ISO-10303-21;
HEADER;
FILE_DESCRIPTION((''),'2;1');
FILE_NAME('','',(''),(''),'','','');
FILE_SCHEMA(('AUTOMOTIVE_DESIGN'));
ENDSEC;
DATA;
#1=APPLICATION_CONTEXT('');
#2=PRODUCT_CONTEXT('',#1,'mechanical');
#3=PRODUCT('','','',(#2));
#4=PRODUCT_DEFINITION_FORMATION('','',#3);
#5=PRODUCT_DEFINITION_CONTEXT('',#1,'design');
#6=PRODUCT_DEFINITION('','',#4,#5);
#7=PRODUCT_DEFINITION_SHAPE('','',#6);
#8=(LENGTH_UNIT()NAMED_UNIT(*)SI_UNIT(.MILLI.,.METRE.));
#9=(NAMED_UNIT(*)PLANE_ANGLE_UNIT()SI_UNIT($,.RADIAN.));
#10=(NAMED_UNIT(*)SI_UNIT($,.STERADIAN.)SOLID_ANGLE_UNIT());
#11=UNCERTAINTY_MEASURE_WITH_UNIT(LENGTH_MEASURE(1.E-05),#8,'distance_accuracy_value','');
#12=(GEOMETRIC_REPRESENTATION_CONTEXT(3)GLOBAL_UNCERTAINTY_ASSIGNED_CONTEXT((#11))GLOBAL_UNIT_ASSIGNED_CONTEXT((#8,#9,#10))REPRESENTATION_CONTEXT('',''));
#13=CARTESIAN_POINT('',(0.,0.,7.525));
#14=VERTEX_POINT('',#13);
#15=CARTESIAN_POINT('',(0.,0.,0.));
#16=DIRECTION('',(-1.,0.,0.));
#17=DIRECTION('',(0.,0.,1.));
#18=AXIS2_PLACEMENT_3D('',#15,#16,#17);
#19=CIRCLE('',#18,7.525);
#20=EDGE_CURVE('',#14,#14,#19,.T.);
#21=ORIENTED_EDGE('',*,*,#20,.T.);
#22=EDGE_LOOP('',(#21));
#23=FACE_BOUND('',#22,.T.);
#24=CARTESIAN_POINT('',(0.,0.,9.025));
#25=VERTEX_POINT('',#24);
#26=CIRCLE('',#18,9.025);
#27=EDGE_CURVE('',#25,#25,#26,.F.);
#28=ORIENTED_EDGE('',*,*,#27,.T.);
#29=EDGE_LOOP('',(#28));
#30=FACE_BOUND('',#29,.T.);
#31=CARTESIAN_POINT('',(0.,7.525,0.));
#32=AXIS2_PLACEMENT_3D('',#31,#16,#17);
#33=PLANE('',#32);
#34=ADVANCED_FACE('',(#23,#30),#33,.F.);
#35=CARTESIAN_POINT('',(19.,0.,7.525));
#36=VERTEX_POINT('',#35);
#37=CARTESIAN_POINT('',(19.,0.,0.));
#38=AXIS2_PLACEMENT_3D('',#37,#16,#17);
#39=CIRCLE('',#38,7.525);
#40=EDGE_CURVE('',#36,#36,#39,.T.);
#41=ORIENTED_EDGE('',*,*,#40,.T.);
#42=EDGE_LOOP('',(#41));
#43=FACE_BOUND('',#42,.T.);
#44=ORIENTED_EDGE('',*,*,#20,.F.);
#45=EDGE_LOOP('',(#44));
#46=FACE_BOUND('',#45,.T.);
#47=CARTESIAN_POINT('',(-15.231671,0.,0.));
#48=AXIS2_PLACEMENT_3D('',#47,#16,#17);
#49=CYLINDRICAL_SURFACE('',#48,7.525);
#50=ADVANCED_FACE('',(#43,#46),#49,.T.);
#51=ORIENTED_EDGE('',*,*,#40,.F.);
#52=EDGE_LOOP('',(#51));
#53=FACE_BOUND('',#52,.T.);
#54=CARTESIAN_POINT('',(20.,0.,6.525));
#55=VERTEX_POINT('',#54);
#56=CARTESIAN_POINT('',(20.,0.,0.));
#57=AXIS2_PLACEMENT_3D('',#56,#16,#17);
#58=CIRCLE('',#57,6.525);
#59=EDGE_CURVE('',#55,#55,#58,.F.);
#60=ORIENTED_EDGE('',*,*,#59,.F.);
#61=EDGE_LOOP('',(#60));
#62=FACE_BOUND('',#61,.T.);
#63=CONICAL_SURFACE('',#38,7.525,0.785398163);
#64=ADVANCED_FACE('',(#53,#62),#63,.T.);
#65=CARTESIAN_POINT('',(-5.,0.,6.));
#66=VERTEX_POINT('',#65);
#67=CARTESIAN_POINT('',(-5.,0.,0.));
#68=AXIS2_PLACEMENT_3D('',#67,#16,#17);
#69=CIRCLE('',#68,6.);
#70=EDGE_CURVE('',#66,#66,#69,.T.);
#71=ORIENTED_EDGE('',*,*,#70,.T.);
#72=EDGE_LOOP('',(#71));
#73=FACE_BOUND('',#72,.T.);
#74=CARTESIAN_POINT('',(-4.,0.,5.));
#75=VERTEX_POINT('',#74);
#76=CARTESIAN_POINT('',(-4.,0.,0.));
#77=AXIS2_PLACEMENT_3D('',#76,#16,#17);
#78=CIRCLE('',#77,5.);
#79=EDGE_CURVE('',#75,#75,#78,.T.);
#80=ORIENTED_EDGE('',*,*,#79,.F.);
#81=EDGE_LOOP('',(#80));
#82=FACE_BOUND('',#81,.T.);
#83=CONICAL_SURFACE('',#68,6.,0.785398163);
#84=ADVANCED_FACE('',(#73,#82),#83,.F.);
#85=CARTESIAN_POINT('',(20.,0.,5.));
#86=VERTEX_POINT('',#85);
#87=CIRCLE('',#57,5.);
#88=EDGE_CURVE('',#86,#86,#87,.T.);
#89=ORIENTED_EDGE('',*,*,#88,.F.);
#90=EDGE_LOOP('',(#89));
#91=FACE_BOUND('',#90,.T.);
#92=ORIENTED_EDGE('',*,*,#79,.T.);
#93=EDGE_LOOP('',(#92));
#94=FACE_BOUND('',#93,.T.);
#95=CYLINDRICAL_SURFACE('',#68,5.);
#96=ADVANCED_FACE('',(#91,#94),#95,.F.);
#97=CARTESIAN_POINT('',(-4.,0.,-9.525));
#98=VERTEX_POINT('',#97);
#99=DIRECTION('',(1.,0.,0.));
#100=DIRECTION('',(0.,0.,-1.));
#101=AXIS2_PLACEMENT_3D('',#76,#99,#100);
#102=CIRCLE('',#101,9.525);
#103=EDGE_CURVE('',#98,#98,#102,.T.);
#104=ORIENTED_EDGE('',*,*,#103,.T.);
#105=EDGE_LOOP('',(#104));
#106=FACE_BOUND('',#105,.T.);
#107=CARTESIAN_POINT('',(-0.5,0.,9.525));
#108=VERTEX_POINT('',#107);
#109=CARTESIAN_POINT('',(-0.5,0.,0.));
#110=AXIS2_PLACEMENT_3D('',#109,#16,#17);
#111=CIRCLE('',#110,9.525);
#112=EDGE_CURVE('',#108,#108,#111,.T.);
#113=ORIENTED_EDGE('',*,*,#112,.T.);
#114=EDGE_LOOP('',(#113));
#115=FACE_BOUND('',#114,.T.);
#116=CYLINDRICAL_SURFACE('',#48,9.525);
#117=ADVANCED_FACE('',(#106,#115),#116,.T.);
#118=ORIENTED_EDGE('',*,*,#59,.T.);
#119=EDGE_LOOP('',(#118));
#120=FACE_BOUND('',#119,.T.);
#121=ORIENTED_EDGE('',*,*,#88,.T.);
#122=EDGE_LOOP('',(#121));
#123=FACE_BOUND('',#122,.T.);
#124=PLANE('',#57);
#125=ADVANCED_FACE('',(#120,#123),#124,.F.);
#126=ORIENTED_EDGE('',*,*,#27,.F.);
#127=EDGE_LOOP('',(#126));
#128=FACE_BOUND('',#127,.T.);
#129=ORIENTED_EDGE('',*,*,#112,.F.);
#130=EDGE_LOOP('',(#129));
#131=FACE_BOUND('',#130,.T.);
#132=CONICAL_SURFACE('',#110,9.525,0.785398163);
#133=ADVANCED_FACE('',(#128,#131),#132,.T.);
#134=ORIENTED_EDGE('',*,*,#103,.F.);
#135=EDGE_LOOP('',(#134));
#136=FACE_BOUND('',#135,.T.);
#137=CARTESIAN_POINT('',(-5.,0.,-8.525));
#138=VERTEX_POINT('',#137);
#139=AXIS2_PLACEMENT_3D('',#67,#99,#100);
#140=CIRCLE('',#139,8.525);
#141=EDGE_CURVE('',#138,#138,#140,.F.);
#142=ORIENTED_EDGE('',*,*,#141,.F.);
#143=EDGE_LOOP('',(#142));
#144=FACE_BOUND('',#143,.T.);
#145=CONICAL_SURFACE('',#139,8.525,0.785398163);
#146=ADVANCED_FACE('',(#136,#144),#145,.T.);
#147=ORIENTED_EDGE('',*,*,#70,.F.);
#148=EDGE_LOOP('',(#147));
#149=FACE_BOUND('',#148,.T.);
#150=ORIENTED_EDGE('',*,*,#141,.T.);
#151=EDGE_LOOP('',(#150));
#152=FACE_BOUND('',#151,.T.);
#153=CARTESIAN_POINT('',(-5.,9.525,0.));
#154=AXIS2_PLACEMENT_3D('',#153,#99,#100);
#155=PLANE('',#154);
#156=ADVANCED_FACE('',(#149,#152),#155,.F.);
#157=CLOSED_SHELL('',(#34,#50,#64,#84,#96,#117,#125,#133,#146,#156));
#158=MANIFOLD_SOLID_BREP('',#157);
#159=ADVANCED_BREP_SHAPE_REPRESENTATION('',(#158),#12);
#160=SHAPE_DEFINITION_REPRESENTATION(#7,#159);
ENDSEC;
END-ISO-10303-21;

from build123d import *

# Parameters (mm, degrees)
CHAMFER1_SIZE                = 1
CHAMFER2_SIZE                = 0.5
M10_TAPPED_HOLE1_D           = 10
M10_TAPPED_HOLE1_CSINK_D     = 12
M10_TAPPED_HOLE1_CSINK_ANGLE = 90


with BuildPart() as part:
    # Sketch1 → Revolve1 (revolve)
    with BuildSketch(Plane.XY):
        Polygon((0, 9.525), (-5, 9.525), (-5, 0), (20, 0), (20, 7.525), (0, 7.525), align=None)
    revolve(axis=Axis((-15.231671031, 0, 0), (1, 0, 0)))

    # Chamfer1
    chamfer1_edges = [part.edges().sort_by_distance(p)[0] for p in [
        (-5, -9.525, 0),
        (20, -7.525, 0),
    ]]
    chamfer(chamfer1_edges, length=CHAMFER1_SIZE)

    # Chamfer2
    chamfer2_edges = [part.edges().sort_by_distance(p)[0] for p in [
        (0, -9.525, 0),
    ]]
    chamfer(chamfer2_edges, length=CHAMFER2_SIZE)

    # M10 Tapped Hole1 (through all)
    with Locations(Plane.ZY.offset(5)):
        with Locations((0, 0)):
            CounterSinkHole(M10_TAPPED_HOLE1_D / 2, M10_TAPPED_HOLE1_CSINK_D / 2, counter_sink_angle=M10_TAPPED_HOLE1_CSINK_ANGLE)


solid = part.part
